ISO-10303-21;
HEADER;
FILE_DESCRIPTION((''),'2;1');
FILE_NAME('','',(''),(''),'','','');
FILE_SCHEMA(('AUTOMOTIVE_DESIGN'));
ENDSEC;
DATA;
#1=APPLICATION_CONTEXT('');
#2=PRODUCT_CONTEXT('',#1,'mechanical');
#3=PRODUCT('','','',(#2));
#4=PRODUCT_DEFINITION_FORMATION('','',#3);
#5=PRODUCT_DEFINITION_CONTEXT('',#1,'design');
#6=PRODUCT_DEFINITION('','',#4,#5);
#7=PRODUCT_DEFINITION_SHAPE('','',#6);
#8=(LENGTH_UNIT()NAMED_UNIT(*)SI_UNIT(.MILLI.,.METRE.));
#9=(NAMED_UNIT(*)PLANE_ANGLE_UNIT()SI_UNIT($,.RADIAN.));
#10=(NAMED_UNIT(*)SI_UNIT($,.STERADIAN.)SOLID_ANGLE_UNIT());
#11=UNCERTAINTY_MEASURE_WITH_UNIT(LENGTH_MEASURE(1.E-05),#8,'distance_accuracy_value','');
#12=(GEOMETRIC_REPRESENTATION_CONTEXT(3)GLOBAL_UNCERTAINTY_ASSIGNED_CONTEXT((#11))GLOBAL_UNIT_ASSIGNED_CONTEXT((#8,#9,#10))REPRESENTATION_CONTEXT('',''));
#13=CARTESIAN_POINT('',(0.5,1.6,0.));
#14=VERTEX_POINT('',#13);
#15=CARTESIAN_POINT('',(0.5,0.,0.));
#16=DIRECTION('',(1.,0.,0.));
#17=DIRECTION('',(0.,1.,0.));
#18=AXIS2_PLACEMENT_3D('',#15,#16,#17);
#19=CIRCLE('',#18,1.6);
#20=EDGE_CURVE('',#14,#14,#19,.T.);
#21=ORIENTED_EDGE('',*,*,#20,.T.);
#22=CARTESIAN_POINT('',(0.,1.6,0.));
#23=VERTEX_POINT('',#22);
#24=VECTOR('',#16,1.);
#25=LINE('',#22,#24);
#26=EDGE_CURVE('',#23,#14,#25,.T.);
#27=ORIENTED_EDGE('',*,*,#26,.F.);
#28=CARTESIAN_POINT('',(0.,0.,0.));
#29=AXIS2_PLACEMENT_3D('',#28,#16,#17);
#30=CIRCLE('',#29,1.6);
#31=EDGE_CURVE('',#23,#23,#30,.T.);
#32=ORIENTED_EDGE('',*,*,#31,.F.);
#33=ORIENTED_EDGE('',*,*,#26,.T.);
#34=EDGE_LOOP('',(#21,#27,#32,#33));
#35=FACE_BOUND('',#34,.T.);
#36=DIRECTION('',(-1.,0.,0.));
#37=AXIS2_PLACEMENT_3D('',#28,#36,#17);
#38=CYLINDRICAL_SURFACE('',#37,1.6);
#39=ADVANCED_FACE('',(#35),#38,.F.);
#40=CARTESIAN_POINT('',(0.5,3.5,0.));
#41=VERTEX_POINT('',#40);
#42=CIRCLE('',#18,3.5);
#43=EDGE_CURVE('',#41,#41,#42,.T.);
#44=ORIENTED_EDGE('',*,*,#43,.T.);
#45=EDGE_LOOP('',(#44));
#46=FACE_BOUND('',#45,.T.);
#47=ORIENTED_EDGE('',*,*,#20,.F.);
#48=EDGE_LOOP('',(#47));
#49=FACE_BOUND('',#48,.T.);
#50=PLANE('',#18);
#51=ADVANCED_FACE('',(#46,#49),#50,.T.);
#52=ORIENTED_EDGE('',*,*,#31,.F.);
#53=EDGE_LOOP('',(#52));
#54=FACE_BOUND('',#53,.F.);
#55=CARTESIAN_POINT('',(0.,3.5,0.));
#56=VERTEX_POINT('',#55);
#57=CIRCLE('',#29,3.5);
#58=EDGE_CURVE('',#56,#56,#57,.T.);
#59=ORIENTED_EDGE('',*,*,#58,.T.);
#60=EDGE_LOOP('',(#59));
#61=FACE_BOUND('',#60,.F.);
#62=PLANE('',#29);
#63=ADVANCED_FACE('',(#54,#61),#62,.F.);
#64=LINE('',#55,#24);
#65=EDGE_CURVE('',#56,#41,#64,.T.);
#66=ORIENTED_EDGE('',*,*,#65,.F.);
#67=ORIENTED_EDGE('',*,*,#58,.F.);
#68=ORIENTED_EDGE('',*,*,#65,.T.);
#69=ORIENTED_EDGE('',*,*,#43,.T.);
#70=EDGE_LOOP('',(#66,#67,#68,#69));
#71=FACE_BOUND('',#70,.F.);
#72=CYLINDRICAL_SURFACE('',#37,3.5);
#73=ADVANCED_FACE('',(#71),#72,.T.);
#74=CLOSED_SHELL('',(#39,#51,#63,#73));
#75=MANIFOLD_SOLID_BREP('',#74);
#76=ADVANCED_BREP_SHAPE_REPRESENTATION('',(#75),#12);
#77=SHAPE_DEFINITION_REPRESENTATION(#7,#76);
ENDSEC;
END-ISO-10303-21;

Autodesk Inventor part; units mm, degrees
ref_plane "YZ Plane" through (0, 0, 0) normal (1, 0, 0) x (0, 1, 0)
ref_plane "XZ Plane" through (0, 0, 0) normal (0, 1, 0) x (-1, 0, 0)
sketch "Sketch" plane through (0, 0, 0) normal (1, 0, 0) x (0, 1, 0)
  circle A0 centre (0, 0) radius 3.5
  circle A1 centre (0, 0) radius 1.6
  dimension "d0" = 3.2
  dimension "d1" = 7
extrude "Body" add sketch "Sketch" along normal blind 0.5
ref_plane "Work Plane1" through (0, 0, 0) normal (0, 0, 1) x (1, 0, 0)
equation "\"d0\" = SD1"
equation "\"d1\" = SD2"
equation "\"d2\" = SD"
equation "\"SD1\" = 3.2"
equation "\"SD2\" = 7"
equation "\"SD\" = 0.5"
equation "\"NND\" = 3"
properties part number "washer_m3" material "Steel, Mild"
